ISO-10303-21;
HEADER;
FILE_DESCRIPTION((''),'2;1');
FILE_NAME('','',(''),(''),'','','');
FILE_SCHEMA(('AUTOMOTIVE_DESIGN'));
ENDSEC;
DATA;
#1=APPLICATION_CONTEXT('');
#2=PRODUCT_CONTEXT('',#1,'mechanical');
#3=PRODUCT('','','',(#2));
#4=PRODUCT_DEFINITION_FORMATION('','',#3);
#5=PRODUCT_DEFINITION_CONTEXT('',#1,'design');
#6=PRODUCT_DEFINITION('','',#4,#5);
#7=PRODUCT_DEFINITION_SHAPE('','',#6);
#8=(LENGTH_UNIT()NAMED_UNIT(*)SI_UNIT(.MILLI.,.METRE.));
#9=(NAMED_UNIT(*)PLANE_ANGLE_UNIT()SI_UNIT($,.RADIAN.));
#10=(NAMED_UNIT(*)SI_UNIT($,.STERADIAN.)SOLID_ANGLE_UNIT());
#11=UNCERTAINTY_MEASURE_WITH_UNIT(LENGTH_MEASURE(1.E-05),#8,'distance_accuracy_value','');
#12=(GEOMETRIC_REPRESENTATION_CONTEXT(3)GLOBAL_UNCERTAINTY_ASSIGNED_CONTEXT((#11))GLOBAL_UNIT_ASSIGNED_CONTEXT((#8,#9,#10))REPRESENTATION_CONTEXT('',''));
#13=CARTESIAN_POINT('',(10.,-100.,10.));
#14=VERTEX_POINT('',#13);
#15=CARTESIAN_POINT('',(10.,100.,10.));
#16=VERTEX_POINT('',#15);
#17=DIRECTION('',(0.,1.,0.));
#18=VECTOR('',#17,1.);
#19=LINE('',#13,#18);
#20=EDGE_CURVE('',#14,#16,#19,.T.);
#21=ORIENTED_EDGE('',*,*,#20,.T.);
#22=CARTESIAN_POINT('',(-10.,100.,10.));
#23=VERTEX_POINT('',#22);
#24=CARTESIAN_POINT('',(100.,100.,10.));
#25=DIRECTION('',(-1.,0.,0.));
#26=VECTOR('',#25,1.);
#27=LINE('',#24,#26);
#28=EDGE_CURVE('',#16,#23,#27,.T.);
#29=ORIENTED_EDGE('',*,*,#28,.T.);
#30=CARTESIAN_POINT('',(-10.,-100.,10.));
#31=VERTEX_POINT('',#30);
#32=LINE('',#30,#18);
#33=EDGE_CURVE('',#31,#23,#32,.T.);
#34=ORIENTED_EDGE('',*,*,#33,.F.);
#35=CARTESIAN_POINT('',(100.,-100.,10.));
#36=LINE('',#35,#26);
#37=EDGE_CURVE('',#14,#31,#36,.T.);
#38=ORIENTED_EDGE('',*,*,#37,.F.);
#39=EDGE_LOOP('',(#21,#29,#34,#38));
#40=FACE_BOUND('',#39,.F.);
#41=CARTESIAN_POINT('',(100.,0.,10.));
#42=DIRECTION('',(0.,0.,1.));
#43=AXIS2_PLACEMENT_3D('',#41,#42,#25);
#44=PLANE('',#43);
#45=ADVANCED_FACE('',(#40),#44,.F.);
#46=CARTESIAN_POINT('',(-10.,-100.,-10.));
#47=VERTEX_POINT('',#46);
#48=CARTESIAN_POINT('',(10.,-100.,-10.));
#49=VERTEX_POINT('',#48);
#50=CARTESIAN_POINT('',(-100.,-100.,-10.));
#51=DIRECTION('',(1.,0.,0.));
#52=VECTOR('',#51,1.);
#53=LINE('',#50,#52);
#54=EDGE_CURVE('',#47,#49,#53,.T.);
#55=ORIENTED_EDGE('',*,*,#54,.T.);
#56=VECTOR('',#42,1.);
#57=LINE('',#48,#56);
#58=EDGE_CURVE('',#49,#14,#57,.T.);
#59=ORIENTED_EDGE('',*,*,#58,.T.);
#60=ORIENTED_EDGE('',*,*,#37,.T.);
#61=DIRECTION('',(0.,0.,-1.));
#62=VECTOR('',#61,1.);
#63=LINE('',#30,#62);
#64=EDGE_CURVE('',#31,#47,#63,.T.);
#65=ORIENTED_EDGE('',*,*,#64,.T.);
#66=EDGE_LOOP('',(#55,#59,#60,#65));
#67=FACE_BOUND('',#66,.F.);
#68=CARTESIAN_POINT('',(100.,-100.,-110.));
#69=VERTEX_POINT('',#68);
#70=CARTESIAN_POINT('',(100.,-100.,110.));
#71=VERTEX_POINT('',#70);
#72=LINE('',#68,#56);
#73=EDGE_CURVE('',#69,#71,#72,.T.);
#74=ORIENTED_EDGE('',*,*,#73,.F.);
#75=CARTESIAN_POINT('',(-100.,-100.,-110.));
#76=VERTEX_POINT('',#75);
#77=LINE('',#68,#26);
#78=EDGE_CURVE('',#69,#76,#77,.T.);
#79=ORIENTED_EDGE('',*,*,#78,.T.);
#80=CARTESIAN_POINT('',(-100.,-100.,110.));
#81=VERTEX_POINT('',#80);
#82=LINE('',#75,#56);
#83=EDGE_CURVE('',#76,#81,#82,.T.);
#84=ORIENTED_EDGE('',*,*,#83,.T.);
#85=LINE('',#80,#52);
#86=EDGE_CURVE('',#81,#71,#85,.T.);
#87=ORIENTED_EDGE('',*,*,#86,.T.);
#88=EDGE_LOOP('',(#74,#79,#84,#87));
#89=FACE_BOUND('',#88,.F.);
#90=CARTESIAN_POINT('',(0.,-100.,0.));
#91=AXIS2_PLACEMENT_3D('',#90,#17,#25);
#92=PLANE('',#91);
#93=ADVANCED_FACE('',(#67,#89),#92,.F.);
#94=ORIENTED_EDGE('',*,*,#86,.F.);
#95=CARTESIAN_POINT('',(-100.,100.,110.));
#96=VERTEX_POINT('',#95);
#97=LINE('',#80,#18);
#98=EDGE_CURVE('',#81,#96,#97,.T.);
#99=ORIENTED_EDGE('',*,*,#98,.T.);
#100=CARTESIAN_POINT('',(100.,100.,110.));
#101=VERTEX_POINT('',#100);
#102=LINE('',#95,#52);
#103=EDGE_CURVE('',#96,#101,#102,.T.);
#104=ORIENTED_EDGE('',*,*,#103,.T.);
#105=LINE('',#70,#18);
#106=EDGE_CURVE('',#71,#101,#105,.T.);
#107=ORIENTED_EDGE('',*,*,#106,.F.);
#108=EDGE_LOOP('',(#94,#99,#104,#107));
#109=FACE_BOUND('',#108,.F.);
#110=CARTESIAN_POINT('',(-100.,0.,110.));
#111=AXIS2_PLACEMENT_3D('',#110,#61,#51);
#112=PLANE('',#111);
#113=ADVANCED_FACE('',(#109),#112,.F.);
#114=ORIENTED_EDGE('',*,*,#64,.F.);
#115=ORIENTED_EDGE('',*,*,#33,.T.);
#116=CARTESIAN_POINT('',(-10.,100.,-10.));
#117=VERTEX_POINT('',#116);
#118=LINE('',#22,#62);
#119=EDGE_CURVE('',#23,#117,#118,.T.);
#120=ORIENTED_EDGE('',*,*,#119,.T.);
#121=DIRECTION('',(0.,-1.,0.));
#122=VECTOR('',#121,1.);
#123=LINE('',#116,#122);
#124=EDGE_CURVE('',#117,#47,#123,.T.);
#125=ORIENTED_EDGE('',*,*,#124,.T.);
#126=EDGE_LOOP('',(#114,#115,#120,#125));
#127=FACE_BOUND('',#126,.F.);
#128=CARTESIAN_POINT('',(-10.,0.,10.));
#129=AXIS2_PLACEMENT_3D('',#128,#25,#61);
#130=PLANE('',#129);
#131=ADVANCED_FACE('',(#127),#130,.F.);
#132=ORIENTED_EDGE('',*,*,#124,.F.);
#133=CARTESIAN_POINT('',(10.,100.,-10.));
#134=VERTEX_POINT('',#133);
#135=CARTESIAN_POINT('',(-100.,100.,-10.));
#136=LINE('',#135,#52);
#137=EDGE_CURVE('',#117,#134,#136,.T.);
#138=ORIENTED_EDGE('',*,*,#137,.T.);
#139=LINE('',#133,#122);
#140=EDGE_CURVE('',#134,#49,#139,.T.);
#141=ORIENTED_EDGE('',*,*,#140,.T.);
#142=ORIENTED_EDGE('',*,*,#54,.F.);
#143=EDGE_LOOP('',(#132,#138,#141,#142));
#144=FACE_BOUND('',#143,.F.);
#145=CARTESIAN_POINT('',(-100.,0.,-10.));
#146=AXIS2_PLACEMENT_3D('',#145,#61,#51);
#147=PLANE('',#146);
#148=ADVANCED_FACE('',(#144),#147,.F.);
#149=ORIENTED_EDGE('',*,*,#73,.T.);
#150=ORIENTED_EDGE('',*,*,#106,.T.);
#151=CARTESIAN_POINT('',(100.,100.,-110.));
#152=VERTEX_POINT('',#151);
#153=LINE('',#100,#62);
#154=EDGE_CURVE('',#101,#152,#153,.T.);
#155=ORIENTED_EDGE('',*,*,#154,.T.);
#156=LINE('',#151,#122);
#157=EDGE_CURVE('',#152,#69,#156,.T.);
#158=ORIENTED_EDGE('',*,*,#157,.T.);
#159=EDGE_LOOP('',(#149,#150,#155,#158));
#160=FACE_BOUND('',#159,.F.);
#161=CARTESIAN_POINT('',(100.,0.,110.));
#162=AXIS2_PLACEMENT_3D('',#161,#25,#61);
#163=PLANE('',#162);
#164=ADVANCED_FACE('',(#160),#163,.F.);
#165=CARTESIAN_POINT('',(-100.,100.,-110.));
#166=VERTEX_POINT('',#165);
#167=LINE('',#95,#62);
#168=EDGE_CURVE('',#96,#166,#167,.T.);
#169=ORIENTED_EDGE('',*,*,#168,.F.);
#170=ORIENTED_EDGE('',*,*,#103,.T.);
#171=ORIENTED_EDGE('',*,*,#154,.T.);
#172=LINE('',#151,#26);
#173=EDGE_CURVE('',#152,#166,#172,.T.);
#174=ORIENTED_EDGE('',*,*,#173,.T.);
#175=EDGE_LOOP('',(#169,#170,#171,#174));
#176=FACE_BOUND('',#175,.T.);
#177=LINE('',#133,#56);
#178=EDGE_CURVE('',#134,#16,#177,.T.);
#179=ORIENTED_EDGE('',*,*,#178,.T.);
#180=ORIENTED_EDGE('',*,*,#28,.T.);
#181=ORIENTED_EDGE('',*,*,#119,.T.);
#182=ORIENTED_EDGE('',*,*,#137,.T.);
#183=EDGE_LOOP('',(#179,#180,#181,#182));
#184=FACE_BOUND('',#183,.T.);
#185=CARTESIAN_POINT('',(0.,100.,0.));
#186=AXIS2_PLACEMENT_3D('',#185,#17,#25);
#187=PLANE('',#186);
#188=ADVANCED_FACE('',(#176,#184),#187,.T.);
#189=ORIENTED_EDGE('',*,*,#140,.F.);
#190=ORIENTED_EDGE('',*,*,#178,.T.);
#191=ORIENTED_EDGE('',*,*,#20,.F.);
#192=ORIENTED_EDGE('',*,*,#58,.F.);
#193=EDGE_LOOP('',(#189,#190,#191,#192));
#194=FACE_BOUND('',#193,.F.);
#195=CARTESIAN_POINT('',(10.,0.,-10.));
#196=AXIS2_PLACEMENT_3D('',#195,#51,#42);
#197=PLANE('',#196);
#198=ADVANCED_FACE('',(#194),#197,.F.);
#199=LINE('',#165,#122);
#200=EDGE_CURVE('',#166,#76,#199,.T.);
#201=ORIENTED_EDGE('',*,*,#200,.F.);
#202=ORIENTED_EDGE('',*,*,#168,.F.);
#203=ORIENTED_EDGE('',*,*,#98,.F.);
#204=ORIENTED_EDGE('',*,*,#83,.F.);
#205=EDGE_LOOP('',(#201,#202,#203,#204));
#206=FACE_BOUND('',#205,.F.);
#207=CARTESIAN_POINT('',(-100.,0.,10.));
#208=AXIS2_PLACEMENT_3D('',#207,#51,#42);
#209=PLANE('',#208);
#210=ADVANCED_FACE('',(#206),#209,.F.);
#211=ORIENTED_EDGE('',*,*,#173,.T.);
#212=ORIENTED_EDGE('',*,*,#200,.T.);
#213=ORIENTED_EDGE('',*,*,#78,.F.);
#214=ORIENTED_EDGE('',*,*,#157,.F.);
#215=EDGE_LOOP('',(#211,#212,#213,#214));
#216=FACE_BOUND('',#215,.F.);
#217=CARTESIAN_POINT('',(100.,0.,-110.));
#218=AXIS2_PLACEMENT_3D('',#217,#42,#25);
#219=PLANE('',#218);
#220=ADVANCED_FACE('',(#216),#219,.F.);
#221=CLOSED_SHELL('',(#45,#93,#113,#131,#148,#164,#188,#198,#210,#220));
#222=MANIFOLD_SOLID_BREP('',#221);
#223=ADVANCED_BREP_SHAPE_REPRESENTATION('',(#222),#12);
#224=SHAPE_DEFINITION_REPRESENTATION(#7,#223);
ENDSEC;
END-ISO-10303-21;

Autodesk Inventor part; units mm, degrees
ref_plane "YZ Plane" through (0, 0, 0) normal (1, 0, 0) x (0, 1, 0)
ref_plane "XZ Plane" through (0, 0, 0) normal (0, 1, 0) x (-1, 0, 0)
ref_plane "XY Plane" through (0, 0, 0) normal (0, 0, 1) x (1, 0, 0)
sketch "Sketch4" plane through (0, 0, 0) normal (0, 1, 0) x (-1, 0, 0)
  line L0 (100, 110) -> (-100, 110)
  line L1 (-100, 110) -> (-100, 10)
  line L2 (-100, 10) -> (100, 10)
  line L3 (100, 10) -> (100, 110)
  line L4 (100, 110) -> (-100, 10) construction
  line L5 (-100, 110) -> (100, 10) construction
  line L6 (100, 110) -> (-100, 110)
  line L7 (-100, 110) -> (-100, 10)
  line L8 (-100, 10) -> (100, 10)
  line L9 (100, 10) -> (100, 110)
  line L10 (100, 110) -> (-100, 10) construction
  line L11 (-100, 110) -> (100, 10) construction
  line L12 (100, -10) -> (-100, -10)
  line L13 (-100, -10) -> (-100, -110)
  line L14 (-100, -110) -> (100, -110)
  line L15 (100, -110) -> (100, -10)
  line L16 (100, -10) -> (-100, -110) construction
  line L17 (-100, -10) -> (100, -110) construction
  point P0 (0, 0)
  point P1 (0, 60)
  point P2 (0, 60)
  point P3 (0, -60)
  dimension "d8" = 200
  dimension "d9" = 100
  dimension "d12" = 200
  dimension "d13" = 100
  dimension "d14" = 200
  dimension "d15" = 100
sketch "Sketch5" plane through (0, 0, 0) normal (0, 1, 0) x (-1, 0, 0)
  line L0 (100, 10) -> (10, 10)
  line L1 (10, 10) -> (10, -10)
  line L2 (10, -10) -> (100, -10)
  line L3 (100, -10) -> (100, 10)
  line L4 (100, 10) -> (10, -10) construction
  line L5 (10, 10) -> (100, -10) construction
  line L6 (100, 10) -> (10, 10)
  line L7 (10, 10) -> (10, -10)
  line L8 (10, -10) -> (100, -10)
  line L9 (100, -10) -> (100, 10)
  line L10 (100, 10) -> (10, -10) construction
  line L11 (10, 10) -> (100, -10) construction
  line L12 (-10, 10) -> (-100, 10)
  line L13 (-100, 10) -> (-100, -10)
  line L14 (-100, -10) -> (-10, -10)
  line L15 (-10, -10) -> (-10, 10)
  line L16 (-10, 10) -> (-100, -10) construction
  line L17 (-100, 10) -> (-10, -10) construction
  point P0 (0, 0)
  point P1 (55, 0)
  point P2 (55, 0)
  point P3 (-55, 0)
  dimension "d10" = 90
  dimension "d11" = 20
  dimension "d16" = 90
  dimension "d17" = 20
  dimension "d18" = 90
  dimension "d19" = 20
extrude "Extrusion1" add sketch "Sketch4" along normal mid plane 200
extrude "Extrusion2" add sketch "Sketch5" along normal mid plane 200
properties part number "four-blocks"
